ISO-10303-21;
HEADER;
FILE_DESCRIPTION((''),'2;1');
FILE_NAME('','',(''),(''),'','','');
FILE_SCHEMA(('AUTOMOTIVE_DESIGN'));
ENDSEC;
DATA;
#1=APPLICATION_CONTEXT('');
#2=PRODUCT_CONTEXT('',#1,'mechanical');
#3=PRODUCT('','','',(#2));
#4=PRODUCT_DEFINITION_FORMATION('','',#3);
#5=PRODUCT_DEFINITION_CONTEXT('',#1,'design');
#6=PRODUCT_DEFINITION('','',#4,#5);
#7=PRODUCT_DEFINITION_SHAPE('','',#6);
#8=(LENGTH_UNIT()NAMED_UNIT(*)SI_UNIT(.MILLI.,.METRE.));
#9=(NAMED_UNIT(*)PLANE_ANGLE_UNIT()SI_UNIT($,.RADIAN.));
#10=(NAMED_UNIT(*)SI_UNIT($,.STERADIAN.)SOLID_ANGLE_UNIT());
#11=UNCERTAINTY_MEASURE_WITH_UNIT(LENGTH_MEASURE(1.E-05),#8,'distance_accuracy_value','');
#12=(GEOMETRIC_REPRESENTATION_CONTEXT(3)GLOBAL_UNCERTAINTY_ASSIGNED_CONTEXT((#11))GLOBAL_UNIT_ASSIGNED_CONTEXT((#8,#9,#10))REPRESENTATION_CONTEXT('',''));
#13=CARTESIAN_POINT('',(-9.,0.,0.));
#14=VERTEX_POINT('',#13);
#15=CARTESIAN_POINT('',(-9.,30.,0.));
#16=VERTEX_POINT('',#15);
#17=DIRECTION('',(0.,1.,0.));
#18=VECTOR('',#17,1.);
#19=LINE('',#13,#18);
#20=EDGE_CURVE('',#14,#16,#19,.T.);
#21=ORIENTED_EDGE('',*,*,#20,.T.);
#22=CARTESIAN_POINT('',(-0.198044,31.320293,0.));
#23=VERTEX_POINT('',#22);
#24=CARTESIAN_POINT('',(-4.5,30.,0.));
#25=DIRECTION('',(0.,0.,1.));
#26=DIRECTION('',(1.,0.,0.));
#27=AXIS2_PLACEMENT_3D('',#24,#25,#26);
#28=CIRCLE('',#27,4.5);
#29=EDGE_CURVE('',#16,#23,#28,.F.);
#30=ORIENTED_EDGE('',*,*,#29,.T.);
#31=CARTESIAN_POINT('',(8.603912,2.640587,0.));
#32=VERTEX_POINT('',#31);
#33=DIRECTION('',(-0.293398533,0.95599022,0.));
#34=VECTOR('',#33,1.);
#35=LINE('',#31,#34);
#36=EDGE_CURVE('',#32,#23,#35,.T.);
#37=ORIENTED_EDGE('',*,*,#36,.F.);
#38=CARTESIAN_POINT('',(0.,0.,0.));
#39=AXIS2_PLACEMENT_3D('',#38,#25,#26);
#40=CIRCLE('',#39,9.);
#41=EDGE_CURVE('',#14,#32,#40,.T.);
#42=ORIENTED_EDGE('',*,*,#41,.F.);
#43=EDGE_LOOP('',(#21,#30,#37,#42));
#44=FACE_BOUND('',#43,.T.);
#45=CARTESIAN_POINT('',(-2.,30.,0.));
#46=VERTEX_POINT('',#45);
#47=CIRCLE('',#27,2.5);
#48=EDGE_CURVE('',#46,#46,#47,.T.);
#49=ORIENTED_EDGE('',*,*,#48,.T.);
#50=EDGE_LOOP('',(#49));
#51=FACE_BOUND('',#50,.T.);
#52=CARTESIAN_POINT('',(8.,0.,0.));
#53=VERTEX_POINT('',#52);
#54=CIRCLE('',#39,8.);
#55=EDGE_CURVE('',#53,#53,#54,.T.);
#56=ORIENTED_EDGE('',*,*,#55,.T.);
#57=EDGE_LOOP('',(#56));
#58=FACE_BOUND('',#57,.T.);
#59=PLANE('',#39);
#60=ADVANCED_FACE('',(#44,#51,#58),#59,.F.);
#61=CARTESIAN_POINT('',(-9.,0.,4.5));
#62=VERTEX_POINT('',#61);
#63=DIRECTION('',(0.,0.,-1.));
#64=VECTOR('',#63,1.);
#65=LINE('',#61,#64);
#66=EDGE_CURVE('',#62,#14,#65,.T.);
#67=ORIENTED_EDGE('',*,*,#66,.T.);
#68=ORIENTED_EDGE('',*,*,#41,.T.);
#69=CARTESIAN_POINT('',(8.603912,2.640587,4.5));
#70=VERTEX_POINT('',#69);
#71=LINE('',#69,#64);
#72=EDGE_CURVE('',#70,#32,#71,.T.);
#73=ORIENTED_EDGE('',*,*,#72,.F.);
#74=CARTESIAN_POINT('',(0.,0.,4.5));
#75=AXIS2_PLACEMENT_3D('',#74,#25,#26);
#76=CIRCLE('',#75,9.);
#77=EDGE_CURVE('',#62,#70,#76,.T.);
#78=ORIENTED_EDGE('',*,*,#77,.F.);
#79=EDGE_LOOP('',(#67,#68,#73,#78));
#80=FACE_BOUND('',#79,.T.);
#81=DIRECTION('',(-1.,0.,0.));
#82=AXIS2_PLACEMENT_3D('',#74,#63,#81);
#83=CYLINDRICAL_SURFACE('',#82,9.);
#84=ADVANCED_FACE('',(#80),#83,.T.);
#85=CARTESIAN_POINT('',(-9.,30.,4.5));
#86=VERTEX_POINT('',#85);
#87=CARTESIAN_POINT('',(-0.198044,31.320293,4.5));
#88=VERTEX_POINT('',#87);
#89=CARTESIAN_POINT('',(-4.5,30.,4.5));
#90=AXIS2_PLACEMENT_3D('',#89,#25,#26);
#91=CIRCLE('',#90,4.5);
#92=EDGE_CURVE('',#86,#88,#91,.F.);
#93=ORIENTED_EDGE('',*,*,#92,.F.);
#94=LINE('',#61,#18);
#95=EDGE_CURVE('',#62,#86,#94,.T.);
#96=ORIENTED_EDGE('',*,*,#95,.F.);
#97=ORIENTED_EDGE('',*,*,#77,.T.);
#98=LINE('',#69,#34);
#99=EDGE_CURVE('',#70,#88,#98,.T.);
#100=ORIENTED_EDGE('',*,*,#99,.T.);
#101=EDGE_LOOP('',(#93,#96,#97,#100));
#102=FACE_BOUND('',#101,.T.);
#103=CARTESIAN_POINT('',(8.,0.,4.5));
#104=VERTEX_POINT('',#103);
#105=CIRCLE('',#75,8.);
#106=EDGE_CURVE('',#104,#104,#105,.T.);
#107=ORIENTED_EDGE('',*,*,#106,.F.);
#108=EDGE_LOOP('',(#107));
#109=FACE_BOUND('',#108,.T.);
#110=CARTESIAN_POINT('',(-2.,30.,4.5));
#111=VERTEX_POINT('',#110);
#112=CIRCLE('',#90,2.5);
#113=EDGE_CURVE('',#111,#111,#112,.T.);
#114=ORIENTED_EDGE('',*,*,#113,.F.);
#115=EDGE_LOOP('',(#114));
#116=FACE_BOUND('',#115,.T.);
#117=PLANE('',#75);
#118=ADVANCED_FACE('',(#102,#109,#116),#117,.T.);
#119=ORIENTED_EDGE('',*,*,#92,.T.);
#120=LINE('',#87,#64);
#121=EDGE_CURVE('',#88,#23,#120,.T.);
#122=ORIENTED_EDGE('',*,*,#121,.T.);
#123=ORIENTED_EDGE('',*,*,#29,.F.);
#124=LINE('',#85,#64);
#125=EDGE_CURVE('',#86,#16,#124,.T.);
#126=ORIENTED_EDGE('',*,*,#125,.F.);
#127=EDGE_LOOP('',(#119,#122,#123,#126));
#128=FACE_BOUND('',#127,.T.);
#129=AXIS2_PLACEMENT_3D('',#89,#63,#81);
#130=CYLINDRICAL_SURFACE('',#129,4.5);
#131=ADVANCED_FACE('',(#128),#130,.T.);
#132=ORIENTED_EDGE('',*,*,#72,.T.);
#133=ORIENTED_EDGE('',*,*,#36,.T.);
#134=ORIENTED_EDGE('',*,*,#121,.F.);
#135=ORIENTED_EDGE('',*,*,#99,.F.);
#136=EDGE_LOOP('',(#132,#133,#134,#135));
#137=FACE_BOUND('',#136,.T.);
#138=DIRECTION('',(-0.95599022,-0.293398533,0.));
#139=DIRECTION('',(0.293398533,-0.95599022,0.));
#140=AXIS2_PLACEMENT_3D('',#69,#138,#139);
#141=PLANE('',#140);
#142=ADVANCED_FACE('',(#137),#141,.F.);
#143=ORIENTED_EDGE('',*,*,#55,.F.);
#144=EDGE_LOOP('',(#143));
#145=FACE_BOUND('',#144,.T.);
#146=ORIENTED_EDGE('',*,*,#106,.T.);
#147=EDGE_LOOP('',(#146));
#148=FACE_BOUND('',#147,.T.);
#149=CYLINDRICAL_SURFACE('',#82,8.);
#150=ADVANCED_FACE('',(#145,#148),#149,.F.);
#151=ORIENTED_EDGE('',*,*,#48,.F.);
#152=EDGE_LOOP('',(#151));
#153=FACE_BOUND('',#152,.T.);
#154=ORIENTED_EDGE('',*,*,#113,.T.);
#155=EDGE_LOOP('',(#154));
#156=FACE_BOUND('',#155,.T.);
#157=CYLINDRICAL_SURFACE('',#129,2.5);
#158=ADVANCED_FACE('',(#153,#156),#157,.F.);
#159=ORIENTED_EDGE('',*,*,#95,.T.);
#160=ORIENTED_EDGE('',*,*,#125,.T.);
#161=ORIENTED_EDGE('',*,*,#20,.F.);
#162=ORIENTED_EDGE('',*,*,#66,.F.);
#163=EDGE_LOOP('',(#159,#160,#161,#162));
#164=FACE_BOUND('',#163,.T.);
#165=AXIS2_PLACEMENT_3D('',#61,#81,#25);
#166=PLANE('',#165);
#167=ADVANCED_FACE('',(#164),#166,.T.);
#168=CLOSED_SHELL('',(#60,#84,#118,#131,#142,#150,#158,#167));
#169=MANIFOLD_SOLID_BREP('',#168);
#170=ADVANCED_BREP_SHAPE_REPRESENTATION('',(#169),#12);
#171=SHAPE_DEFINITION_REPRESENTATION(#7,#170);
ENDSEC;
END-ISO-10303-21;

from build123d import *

# Parameters (mm, degrees)
SKETCH_1_R      = 2.5
SKETCH_1_R_2    = 8
EXTRUDE_1_DEPTH = 4.5


with BuildPart() as part:
    # 스케치1 → 보스-돌출1 (new body)
    with BuildSketch(Plane.XY):
        with BuildLine():
            Line((-9, 30), (-9, 0))
            ThreePointArc((-9, 0), (1.335064076, -8.900427176), (8.60391198, 2.640586797))
            Line((8.60391198, 2.640586797), (-0.19804401, 31.320293399))
            ThreePointArc((-0.19804401, 31.320293399), (-5.167532038, 34.450213588), (-9, 30))
        make_face()
        with Locations((-4.5, 30)):
            Circle(SKETCH_1_R, mode=Mode.SUBTRACT)
        Circle(SKETCH_1_R_2, mode=Mode.SUBTRACT)
    extrude(amount=EXTRUDE_1_DEPTH)


solid = part.part
